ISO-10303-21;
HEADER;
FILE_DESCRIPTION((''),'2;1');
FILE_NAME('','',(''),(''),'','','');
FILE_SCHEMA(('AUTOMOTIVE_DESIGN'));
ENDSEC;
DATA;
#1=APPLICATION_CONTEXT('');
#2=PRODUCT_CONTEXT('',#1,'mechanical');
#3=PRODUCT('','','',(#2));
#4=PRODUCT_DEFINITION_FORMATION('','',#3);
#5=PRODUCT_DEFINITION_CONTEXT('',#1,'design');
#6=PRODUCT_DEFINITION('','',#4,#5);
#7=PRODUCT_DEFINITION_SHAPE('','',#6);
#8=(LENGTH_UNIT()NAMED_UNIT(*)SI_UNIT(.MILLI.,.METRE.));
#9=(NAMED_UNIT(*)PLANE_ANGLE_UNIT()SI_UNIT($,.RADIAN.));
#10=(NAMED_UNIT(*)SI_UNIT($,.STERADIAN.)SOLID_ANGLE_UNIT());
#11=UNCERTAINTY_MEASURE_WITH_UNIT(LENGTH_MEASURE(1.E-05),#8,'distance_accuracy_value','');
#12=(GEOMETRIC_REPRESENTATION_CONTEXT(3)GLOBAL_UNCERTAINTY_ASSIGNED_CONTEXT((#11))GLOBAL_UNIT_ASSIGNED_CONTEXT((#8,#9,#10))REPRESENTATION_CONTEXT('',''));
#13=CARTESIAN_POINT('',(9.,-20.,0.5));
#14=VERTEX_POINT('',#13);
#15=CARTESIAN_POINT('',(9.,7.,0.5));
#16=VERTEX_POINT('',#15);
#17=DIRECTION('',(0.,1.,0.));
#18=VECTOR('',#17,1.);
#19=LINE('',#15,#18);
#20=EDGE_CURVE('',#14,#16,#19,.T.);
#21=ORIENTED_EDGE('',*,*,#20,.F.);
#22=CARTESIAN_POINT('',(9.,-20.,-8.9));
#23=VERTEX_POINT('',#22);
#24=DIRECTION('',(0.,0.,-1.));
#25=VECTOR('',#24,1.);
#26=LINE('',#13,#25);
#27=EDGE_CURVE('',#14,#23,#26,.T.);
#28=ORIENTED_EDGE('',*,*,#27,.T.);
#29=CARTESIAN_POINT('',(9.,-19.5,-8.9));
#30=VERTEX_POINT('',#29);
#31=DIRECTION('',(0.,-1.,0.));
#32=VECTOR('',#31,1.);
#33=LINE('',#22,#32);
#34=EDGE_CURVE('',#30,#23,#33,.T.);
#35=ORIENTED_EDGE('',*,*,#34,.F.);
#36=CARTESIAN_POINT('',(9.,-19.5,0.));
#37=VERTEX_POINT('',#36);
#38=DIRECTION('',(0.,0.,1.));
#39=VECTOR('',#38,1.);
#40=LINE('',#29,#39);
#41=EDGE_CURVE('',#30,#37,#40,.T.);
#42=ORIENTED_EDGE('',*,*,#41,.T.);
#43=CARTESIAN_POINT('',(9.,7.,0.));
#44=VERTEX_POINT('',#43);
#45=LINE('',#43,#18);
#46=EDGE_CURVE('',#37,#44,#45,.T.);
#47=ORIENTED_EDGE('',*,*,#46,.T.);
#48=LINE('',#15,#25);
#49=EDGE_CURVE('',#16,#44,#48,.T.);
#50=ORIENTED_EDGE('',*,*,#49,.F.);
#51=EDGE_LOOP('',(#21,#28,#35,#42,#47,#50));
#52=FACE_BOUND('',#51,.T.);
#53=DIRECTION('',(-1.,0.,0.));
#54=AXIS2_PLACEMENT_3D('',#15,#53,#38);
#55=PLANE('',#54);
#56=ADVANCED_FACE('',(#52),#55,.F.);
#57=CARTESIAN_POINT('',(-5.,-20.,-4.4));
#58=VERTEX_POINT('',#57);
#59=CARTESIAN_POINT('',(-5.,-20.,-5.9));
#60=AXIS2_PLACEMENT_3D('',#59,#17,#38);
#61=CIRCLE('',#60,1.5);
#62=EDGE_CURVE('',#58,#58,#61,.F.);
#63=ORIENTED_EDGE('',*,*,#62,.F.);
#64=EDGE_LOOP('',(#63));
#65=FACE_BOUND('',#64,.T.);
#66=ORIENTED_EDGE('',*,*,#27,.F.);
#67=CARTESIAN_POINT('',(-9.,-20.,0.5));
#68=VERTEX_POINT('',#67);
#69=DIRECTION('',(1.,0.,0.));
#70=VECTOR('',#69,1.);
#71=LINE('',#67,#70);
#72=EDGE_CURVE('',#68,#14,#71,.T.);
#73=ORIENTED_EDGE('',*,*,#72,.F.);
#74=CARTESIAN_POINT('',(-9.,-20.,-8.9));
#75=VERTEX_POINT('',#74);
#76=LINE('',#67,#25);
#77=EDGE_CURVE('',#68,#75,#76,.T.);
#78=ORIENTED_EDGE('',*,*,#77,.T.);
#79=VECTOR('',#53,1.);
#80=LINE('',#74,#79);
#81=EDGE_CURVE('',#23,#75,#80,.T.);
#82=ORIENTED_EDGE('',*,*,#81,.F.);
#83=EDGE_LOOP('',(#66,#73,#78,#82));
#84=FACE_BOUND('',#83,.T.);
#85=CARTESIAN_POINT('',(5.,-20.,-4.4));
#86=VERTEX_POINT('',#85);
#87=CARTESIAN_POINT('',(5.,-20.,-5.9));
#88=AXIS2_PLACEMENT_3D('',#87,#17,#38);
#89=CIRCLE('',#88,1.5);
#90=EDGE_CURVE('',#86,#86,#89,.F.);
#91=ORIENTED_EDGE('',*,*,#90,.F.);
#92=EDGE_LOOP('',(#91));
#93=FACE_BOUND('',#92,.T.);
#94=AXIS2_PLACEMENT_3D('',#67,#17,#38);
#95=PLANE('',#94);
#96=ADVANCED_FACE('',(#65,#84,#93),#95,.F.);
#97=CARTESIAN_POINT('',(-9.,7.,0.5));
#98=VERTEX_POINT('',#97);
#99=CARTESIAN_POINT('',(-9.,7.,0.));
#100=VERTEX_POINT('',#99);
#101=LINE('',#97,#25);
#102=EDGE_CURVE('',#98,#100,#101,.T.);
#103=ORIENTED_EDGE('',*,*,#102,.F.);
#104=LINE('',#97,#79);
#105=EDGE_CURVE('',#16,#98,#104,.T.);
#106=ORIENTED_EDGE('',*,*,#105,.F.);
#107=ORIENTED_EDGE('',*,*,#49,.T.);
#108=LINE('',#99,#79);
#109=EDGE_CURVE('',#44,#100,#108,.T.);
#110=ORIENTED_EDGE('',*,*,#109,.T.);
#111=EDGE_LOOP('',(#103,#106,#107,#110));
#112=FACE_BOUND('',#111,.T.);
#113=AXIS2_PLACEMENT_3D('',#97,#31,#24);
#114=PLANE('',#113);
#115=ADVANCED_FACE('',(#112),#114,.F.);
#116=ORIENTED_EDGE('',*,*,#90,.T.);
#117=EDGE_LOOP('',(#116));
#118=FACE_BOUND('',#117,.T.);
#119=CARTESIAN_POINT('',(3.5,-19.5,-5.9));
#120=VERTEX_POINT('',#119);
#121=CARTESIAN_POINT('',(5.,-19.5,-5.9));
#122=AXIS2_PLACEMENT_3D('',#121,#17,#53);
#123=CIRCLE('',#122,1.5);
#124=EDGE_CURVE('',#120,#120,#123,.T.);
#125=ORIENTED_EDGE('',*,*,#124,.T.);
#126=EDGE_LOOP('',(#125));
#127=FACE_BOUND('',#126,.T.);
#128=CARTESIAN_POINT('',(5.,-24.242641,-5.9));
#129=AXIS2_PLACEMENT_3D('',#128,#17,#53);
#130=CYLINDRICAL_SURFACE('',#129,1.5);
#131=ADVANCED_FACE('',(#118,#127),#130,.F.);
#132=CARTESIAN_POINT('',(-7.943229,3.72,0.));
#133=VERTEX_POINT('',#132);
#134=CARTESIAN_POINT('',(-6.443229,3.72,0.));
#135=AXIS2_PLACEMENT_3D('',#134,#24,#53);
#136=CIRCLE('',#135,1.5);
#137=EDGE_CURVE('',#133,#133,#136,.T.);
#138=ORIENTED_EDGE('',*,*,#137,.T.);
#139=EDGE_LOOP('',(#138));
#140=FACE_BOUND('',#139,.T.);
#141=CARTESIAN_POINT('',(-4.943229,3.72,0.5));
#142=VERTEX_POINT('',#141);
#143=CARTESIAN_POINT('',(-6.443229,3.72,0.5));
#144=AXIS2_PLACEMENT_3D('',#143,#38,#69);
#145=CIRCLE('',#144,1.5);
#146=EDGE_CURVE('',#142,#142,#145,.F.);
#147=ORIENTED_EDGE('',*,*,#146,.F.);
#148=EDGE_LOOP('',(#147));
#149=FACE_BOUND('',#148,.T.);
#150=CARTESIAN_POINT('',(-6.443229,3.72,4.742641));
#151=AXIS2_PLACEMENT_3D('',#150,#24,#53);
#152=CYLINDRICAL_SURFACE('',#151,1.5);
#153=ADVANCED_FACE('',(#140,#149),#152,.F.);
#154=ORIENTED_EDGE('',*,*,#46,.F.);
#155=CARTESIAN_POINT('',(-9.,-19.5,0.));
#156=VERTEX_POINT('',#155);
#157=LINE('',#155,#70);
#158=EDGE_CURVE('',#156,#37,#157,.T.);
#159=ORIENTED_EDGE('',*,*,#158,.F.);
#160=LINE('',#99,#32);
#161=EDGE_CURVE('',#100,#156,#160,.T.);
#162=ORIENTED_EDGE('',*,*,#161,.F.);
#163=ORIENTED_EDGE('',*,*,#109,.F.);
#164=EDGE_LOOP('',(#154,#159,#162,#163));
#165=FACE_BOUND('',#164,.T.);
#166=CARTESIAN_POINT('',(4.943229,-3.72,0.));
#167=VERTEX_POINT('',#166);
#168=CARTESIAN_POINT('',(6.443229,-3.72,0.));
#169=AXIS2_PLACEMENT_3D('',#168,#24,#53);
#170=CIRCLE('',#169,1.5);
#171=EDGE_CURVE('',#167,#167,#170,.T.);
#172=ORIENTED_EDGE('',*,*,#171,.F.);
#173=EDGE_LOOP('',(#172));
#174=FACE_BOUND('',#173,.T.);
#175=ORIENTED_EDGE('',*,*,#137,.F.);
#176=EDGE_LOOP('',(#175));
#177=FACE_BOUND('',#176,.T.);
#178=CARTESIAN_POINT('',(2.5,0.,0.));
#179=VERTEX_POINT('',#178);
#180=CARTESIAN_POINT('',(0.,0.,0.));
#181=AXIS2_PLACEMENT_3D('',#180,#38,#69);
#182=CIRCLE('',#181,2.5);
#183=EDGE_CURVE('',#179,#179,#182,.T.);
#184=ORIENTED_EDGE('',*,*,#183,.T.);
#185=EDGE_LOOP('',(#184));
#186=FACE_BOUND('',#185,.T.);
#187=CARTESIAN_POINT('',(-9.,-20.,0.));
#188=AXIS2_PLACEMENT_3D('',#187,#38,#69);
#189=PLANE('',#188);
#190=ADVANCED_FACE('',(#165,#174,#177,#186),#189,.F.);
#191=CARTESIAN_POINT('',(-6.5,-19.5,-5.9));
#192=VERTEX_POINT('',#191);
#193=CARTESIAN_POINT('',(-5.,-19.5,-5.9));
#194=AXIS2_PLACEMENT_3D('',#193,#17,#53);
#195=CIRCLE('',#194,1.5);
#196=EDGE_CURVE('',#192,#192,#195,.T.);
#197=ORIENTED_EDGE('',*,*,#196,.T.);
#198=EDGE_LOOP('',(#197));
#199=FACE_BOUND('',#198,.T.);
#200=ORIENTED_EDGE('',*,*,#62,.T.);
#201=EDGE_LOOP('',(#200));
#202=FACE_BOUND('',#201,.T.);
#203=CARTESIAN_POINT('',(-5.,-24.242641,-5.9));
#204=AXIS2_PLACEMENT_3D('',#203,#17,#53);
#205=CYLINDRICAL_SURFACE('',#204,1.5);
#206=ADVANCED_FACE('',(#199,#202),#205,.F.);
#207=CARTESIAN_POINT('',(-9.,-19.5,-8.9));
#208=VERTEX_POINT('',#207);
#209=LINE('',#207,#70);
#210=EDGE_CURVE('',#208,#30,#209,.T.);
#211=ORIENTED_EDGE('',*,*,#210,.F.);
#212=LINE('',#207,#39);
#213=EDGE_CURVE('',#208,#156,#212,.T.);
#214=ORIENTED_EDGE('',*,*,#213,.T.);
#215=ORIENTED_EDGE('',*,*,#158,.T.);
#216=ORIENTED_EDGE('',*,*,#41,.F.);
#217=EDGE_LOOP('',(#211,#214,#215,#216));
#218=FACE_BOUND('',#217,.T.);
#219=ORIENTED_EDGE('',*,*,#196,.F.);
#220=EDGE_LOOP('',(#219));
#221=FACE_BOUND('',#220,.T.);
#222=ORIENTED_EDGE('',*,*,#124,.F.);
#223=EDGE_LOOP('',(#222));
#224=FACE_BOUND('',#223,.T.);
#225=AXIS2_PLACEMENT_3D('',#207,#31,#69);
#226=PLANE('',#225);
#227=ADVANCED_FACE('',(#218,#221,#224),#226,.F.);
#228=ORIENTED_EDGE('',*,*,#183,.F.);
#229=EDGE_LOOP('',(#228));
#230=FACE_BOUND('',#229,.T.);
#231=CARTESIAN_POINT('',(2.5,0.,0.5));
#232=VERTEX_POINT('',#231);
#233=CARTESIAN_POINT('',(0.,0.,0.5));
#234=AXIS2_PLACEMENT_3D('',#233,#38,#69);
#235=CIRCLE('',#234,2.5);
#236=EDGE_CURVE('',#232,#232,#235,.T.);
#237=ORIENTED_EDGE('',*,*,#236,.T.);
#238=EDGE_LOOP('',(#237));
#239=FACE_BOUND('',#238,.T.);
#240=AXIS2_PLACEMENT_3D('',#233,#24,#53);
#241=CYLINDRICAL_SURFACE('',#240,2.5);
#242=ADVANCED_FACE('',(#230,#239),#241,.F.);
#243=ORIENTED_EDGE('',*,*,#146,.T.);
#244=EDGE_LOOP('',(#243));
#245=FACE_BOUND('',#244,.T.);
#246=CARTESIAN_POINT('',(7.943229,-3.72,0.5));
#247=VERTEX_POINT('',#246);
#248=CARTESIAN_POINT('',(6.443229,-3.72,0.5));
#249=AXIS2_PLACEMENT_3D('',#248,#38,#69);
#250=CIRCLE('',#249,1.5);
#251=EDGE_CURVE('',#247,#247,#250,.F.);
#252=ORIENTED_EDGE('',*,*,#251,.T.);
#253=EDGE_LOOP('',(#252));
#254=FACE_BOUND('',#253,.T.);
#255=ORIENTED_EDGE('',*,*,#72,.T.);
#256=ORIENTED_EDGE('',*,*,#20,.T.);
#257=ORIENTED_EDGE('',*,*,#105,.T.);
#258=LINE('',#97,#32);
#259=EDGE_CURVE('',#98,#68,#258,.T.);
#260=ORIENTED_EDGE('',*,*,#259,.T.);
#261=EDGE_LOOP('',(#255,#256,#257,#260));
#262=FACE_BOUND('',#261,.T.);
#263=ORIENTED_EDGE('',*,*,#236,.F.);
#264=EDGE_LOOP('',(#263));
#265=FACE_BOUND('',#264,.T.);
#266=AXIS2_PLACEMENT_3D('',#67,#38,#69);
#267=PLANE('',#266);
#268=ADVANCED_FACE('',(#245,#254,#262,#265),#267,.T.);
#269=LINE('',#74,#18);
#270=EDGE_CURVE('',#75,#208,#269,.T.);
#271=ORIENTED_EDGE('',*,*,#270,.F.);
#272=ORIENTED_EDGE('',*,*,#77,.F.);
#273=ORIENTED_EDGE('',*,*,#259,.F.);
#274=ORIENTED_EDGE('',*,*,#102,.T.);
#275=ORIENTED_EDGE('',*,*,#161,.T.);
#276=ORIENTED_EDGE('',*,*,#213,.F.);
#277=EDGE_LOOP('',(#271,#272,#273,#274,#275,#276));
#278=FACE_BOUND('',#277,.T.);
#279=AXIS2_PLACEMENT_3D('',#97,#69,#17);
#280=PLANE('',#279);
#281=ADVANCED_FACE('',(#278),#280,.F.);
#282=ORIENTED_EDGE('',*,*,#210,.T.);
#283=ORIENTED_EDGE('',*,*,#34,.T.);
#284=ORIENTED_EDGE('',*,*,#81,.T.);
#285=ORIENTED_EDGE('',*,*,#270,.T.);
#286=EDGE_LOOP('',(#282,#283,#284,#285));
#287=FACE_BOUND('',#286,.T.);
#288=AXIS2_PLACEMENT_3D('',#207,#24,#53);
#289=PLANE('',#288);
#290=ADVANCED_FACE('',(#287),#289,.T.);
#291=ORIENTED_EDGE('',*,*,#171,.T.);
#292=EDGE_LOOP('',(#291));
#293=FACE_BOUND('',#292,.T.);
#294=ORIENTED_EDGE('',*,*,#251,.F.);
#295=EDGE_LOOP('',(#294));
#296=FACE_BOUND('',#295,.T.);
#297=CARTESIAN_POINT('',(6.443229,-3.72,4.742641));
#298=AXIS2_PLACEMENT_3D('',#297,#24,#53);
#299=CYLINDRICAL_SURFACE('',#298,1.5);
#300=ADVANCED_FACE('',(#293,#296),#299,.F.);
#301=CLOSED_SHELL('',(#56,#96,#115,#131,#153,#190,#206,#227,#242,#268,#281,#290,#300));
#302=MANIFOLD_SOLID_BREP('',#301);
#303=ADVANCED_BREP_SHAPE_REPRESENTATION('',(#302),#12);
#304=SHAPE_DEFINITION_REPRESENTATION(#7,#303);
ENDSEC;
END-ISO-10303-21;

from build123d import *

# Parameters (mm, degrees)
SKETCH1_W      = 18
SKETCH1_H      = 27
SKETCH1_R      = 2.5
EXTRUDE1_DEPTH = 0.5
SKETCH2_W      = 18
SKETCH2_H      = 0.5
EXTRUDE2_DEPTH = 8.9
SKETCH3_R      = 1.5
EXTRUDE3_DEPTH = 0.5
SKETCH4_R      = 1.5
EXTRUDE4_DEPTH = 0.5


with BuildPart() as part:
    # Sketch1 → Extrude1 (new body)
    with BuildSketch(Plane.XY):
        with Locations((0, -6.5)):
            Rectangle(SKETCH1_W, SKETCH1_H)
        Circle(SKETCH1_R, mode=Mode.SUBTRACT)
    extrude(amount=EXTRUDE1_DEPTH)

    # Sketch2 → Extrude2 (add)
    with BuildSketch(Plane(origin=(0, 0, 0), x_dir=(-1, 0, 0), z_dir=(0, 0, -1))):
        with Locations((0, -19.75)):
            Rectangle(SKETCH2_W, SKETCH2_H)
    extrude(amount=EXTRUDE2_DEPTH)

    # Sketch3 → Extrude3 (cut)
    with BuildSketch(Plane(origin=(0, -19.5, 0), x_dir=(1, 0, 0), z_dir=(0, 1, 0))):
        with Locations(Location((-5, 5.9, 0), (0, 0, 180))):
            Circle(SKETCH3_R)
        with Locations(Location((5, 5.9, 0), (0, 0, 180))):
            Circle(SKETCH3_R)
    extrude(amount=-EXTRUDE3_DEPTH, mode=Mode.SUBTRACT)

    # Sketch4 → Extrude4 (cut)
    with BuildSketch(Plane(origin=(0, 0, 0), x_dir=(-1, 0, 0), z_dir=(0, 0, -1))):
        with Locations((-6.443229004, -3.72)):
            Circle(SKETCH4_R)
        with Locations((6.443229004, 3.72)):
            Circle(SKETCH4_R)
    extrude(amount=-EXTRUDE4_DEPTH, mode=Mode.SUBTRACT)


solid = part.part
